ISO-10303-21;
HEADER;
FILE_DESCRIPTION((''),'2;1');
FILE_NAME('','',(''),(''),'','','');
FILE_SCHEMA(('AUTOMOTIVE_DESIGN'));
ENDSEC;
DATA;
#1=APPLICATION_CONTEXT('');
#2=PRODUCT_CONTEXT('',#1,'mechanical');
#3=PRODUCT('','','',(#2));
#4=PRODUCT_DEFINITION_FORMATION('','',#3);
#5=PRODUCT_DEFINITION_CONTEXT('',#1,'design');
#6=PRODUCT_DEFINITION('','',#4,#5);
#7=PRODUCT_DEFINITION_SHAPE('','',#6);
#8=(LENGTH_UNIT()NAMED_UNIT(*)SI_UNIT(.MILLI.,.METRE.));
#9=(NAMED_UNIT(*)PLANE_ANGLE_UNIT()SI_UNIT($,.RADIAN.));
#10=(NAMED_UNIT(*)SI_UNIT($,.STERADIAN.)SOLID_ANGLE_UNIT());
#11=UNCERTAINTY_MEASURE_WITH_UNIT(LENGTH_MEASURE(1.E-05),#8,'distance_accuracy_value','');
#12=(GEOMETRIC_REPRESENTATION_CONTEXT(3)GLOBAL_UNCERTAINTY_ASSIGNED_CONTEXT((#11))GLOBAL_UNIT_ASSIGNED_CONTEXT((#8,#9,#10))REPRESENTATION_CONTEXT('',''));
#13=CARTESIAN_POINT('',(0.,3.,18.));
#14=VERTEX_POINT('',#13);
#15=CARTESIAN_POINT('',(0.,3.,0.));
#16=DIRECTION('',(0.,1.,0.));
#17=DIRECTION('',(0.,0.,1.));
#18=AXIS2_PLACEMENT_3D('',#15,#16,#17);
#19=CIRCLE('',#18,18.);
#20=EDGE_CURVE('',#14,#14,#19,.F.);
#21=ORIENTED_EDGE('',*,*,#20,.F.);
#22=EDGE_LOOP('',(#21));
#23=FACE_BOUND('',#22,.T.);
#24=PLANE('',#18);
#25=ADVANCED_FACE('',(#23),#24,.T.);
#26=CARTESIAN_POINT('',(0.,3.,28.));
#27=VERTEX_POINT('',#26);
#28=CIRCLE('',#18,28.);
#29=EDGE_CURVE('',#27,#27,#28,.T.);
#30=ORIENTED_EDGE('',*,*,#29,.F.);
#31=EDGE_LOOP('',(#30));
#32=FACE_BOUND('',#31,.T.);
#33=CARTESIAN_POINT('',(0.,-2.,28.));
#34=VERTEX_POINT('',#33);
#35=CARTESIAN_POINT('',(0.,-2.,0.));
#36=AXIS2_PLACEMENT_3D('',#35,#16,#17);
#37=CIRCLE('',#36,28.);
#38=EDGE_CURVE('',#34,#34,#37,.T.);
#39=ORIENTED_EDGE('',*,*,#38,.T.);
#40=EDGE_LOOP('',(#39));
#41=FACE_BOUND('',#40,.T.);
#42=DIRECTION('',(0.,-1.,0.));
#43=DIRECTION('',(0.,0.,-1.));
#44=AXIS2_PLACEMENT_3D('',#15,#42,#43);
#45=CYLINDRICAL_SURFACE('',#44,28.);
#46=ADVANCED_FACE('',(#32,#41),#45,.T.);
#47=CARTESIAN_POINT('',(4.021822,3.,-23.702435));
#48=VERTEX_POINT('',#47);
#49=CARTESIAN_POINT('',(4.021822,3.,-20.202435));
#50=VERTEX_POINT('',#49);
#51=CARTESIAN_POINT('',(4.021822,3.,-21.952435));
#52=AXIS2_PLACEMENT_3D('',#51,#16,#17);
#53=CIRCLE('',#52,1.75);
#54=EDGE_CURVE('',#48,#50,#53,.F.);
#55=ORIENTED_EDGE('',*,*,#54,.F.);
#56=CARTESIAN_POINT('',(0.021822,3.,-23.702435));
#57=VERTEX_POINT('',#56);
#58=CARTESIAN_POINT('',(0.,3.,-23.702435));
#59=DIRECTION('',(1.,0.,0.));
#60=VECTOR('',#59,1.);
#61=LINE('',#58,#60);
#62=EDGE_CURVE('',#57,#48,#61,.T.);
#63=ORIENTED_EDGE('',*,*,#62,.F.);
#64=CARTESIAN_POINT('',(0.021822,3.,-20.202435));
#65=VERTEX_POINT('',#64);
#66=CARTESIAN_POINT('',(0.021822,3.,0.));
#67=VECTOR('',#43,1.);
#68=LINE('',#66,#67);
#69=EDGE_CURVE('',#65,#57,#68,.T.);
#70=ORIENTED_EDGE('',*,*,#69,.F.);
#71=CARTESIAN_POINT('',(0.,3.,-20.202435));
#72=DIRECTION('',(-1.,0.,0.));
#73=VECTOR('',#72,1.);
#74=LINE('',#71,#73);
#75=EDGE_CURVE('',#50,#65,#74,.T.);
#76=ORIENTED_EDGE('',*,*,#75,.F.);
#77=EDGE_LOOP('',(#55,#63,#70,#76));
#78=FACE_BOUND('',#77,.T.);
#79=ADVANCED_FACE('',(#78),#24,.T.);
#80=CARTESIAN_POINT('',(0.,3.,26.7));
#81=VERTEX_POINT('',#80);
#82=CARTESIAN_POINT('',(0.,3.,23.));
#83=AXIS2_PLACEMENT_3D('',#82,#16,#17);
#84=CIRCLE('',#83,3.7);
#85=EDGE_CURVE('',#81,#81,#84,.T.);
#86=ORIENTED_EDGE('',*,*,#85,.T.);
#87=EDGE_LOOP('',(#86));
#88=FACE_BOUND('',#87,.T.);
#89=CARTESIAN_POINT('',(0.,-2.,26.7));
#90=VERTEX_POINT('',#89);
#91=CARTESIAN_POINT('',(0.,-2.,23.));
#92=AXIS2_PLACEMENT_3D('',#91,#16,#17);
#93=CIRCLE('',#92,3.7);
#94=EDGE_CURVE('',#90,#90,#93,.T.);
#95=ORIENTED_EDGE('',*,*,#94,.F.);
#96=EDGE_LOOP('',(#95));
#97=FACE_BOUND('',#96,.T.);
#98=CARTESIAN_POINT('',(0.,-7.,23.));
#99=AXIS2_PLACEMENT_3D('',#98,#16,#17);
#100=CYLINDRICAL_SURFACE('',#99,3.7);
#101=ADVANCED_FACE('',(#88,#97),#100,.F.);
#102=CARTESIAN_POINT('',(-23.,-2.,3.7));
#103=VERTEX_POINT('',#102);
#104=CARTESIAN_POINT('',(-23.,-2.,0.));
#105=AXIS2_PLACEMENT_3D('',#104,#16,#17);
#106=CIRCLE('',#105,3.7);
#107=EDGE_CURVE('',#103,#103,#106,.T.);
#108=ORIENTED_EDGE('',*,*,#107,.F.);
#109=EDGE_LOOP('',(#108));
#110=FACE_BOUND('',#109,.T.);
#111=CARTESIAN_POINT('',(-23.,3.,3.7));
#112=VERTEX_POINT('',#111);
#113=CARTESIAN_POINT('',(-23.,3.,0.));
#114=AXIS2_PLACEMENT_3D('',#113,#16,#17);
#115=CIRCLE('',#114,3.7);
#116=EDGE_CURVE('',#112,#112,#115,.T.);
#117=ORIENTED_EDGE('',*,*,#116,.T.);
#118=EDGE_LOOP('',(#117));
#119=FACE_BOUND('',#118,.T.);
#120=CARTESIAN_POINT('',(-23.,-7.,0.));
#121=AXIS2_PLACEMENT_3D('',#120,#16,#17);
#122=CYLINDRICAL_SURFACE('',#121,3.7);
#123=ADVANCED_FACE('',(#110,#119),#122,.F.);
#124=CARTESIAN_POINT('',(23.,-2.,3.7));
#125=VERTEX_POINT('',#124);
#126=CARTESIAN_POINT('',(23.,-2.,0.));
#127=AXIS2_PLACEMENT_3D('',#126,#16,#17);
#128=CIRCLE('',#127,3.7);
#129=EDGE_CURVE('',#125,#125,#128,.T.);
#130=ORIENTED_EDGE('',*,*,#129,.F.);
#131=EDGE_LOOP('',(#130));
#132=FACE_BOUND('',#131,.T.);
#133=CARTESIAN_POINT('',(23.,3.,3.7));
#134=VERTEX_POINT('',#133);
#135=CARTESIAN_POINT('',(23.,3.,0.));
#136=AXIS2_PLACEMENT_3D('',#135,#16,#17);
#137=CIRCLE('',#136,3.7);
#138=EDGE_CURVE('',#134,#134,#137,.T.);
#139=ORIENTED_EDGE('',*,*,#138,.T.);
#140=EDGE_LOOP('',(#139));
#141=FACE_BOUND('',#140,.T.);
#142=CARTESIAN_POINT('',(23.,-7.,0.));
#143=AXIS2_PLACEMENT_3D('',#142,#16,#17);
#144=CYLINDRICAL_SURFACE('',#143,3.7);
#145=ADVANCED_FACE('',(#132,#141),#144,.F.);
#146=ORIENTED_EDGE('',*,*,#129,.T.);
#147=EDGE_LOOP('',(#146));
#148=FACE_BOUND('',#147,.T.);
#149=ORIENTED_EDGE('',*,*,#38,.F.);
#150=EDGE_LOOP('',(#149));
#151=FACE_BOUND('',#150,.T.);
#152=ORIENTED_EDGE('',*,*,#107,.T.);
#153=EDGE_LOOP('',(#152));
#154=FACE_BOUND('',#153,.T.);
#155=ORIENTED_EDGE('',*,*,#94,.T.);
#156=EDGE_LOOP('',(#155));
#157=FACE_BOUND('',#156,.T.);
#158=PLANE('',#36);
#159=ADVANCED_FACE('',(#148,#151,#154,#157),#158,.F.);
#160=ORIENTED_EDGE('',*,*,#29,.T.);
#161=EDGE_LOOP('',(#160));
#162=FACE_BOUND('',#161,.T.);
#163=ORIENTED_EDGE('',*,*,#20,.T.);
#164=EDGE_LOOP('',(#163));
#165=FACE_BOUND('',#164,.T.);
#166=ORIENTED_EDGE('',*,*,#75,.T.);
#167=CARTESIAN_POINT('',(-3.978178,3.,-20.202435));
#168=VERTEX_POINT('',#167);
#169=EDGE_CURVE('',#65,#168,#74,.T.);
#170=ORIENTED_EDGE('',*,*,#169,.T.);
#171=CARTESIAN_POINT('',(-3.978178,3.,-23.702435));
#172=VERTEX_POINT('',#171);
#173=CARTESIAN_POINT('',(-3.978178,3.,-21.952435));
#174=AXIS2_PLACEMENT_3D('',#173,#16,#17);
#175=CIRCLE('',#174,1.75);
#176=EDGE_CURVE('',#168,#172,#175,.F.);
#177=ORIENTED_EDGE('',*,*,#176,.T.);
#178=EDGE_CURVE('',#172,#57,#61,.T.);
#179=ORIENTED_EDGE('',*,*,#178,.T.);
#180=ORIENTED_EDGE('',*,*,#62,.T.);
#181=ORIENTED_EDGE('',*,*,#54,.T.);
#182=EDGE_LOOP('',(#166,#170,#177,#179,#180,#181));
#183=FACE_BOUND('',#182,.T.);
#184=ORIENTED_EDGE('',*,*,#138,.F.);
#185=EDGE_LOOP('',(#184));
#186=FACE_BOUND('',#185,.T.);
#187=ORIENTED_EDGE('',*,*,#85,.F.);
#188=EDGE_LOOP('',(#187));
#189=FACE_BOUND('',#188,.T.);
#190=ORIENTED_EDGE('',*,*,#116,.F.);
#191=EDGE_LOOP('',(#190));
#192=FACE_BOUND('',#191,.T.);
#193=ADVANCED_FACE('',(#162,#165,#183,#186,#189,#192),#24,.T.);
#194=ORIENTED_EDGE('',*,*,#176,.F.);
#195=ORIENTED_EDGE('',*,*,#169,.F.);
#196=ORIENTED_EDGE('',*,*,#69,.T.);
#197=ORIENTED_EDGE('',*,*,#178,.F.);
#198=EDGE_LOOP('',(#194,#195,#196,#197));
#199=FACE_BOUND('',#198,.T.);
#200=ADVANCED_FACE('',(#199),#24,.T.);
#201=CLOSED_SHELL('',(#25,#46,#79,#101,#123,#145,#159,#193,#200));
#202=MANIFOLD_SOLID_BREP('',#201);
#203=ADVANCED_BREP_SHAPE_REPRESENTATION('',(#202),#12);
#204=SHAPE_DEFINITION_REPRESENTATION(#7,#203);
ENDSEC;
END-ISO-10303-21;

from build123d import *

# Parameters (mm, degrees)
SKETCH_1_R          = 28
EXTRUDE_1_DEPTH     = 3
SKETCH_7_R          = 3.7
CUT_EXTRUDE_1_DEPTH = 10
SKETCH_8_R          = 3.7
CUT_EXTRUDE_2_DEPTH = 10
SKETCH_9_R          = 3.7
CUT_EXTRUDE_3_DEPTH = 10
EXTRUDE_START       = -2
SKETCH_1_3_R        = 28
EXTRUDE_3_DEPTH     = 2
SKETCH_9_2_R        = 3.7
CUT_EXTRUDE_4_DEPTH = 5
SKETCH_8_2_R        = 3.7
CUT_EXTRUDE_5_DEPTH = 5
SKETCH_7_2_R        = 3.7
CUT_EXTRUDE_6_DEPTH = 5


with BuildPart() as part:
    # 草图1 → 凸台-拉伸1 (new body)
    with BuildSketch(Plane(origin=(0, 0, 0), x_dir=(1, 0, 0), z_dir=(0, 1, 0))):
        Circle(SKETCH_1_R)
    extrude(amount=EXTRUDE_1_DEPTH)

    # 草图7 → 切除-拉伸1 (cut)
    with BuildSketch(Plane(origin=(0, 3, 0), x_dir=(1, 0, 0), z_dir=(0, 1, 0))):
        with Locations((23, 0)):
            Circle(SKETCH_7_R)
    extrude(amount=-CUT_EXTRUDE_1_DEPTH, mode=Mode.SUBTRACT)

    # 草图8 → 切除-拉伸2 (cut)
    with BuildSketch(Plane(origin=(0, 3, 0), x_dir=(1, 0, 0), z_dir=(0, 1, 0))):
        with Locations((-23, 0)):
            Circle(SKETCH_8_R)
    extrude(amount=-CUT_EXTRUDE_2_DEPTH, mode=Mode.SUBTRACT)

    # 草图9 → 切除-拉伸3 (cut)
    with BuildSketch(Plane(origin=(0, 3, 0), x_dir=(1, 0, 0), z_dir=(0, 1, 0))):
        with Locations((0, -23)):
            Circle(SKETCH_9_R)
    extrude(amount=-CUT_EXTRUDE_3_DEPTH, mode=Mode.SUBTRACT)

    # 草图1<3> → 凸台-拉伸3 (add)
    with BuildSketch(Plane(origin=(0, 0, 0), x_dir=(1, 0, 0), z_dir=(0, 1, 0)).offset(EXTRUDE_START)):
        Circle(SKETCH_1_3_R)
    extrude(amount=EXTRUDE_3_DEPTH)

    # 草图9<2> → 切除-拉伸4 (cut)
    with BuildSketch(Plane(origin=(0, 3, 0), x_dir=(1, 0, 0), z_dir=(0, 1, 0))):
        with Locations((0, -23)):
            Circle(SKETCH_9_2_R)
    extrude(amount=-CUT_EXTRUDE_4_DEPTH, mode=Mode.SUBTRACT)

    # 草图8<2> → 切除-拉伸5 (cut)
    with BuildSketch(Plane(origin=(0, 3, 0), x_dir=(1, 0, 0), z_dir=(0, 1, 0))):
        with Locations((-23, 0)):
            Circle(SKETCH_8_2_R)
    extrude(amount=-CUT_EXTRUDE_5_DEPTH, mode=Mode.SUBTRACT)

    # 草图7<2> → 切除-拉伸6 (cut)
    with BuildSketch(Plane(origin=(0, 3, 0), x_dir=(1, 0, 0), z_dir=(0, 1, 0))):
        with Locations((23, 0)):
            Circle(SKETCH_7_2_R)
    extrude(amount=-CUT_EXTRUDE_6_DEPTH, mode=Mode.SUBTRACT)


solid = part.part
